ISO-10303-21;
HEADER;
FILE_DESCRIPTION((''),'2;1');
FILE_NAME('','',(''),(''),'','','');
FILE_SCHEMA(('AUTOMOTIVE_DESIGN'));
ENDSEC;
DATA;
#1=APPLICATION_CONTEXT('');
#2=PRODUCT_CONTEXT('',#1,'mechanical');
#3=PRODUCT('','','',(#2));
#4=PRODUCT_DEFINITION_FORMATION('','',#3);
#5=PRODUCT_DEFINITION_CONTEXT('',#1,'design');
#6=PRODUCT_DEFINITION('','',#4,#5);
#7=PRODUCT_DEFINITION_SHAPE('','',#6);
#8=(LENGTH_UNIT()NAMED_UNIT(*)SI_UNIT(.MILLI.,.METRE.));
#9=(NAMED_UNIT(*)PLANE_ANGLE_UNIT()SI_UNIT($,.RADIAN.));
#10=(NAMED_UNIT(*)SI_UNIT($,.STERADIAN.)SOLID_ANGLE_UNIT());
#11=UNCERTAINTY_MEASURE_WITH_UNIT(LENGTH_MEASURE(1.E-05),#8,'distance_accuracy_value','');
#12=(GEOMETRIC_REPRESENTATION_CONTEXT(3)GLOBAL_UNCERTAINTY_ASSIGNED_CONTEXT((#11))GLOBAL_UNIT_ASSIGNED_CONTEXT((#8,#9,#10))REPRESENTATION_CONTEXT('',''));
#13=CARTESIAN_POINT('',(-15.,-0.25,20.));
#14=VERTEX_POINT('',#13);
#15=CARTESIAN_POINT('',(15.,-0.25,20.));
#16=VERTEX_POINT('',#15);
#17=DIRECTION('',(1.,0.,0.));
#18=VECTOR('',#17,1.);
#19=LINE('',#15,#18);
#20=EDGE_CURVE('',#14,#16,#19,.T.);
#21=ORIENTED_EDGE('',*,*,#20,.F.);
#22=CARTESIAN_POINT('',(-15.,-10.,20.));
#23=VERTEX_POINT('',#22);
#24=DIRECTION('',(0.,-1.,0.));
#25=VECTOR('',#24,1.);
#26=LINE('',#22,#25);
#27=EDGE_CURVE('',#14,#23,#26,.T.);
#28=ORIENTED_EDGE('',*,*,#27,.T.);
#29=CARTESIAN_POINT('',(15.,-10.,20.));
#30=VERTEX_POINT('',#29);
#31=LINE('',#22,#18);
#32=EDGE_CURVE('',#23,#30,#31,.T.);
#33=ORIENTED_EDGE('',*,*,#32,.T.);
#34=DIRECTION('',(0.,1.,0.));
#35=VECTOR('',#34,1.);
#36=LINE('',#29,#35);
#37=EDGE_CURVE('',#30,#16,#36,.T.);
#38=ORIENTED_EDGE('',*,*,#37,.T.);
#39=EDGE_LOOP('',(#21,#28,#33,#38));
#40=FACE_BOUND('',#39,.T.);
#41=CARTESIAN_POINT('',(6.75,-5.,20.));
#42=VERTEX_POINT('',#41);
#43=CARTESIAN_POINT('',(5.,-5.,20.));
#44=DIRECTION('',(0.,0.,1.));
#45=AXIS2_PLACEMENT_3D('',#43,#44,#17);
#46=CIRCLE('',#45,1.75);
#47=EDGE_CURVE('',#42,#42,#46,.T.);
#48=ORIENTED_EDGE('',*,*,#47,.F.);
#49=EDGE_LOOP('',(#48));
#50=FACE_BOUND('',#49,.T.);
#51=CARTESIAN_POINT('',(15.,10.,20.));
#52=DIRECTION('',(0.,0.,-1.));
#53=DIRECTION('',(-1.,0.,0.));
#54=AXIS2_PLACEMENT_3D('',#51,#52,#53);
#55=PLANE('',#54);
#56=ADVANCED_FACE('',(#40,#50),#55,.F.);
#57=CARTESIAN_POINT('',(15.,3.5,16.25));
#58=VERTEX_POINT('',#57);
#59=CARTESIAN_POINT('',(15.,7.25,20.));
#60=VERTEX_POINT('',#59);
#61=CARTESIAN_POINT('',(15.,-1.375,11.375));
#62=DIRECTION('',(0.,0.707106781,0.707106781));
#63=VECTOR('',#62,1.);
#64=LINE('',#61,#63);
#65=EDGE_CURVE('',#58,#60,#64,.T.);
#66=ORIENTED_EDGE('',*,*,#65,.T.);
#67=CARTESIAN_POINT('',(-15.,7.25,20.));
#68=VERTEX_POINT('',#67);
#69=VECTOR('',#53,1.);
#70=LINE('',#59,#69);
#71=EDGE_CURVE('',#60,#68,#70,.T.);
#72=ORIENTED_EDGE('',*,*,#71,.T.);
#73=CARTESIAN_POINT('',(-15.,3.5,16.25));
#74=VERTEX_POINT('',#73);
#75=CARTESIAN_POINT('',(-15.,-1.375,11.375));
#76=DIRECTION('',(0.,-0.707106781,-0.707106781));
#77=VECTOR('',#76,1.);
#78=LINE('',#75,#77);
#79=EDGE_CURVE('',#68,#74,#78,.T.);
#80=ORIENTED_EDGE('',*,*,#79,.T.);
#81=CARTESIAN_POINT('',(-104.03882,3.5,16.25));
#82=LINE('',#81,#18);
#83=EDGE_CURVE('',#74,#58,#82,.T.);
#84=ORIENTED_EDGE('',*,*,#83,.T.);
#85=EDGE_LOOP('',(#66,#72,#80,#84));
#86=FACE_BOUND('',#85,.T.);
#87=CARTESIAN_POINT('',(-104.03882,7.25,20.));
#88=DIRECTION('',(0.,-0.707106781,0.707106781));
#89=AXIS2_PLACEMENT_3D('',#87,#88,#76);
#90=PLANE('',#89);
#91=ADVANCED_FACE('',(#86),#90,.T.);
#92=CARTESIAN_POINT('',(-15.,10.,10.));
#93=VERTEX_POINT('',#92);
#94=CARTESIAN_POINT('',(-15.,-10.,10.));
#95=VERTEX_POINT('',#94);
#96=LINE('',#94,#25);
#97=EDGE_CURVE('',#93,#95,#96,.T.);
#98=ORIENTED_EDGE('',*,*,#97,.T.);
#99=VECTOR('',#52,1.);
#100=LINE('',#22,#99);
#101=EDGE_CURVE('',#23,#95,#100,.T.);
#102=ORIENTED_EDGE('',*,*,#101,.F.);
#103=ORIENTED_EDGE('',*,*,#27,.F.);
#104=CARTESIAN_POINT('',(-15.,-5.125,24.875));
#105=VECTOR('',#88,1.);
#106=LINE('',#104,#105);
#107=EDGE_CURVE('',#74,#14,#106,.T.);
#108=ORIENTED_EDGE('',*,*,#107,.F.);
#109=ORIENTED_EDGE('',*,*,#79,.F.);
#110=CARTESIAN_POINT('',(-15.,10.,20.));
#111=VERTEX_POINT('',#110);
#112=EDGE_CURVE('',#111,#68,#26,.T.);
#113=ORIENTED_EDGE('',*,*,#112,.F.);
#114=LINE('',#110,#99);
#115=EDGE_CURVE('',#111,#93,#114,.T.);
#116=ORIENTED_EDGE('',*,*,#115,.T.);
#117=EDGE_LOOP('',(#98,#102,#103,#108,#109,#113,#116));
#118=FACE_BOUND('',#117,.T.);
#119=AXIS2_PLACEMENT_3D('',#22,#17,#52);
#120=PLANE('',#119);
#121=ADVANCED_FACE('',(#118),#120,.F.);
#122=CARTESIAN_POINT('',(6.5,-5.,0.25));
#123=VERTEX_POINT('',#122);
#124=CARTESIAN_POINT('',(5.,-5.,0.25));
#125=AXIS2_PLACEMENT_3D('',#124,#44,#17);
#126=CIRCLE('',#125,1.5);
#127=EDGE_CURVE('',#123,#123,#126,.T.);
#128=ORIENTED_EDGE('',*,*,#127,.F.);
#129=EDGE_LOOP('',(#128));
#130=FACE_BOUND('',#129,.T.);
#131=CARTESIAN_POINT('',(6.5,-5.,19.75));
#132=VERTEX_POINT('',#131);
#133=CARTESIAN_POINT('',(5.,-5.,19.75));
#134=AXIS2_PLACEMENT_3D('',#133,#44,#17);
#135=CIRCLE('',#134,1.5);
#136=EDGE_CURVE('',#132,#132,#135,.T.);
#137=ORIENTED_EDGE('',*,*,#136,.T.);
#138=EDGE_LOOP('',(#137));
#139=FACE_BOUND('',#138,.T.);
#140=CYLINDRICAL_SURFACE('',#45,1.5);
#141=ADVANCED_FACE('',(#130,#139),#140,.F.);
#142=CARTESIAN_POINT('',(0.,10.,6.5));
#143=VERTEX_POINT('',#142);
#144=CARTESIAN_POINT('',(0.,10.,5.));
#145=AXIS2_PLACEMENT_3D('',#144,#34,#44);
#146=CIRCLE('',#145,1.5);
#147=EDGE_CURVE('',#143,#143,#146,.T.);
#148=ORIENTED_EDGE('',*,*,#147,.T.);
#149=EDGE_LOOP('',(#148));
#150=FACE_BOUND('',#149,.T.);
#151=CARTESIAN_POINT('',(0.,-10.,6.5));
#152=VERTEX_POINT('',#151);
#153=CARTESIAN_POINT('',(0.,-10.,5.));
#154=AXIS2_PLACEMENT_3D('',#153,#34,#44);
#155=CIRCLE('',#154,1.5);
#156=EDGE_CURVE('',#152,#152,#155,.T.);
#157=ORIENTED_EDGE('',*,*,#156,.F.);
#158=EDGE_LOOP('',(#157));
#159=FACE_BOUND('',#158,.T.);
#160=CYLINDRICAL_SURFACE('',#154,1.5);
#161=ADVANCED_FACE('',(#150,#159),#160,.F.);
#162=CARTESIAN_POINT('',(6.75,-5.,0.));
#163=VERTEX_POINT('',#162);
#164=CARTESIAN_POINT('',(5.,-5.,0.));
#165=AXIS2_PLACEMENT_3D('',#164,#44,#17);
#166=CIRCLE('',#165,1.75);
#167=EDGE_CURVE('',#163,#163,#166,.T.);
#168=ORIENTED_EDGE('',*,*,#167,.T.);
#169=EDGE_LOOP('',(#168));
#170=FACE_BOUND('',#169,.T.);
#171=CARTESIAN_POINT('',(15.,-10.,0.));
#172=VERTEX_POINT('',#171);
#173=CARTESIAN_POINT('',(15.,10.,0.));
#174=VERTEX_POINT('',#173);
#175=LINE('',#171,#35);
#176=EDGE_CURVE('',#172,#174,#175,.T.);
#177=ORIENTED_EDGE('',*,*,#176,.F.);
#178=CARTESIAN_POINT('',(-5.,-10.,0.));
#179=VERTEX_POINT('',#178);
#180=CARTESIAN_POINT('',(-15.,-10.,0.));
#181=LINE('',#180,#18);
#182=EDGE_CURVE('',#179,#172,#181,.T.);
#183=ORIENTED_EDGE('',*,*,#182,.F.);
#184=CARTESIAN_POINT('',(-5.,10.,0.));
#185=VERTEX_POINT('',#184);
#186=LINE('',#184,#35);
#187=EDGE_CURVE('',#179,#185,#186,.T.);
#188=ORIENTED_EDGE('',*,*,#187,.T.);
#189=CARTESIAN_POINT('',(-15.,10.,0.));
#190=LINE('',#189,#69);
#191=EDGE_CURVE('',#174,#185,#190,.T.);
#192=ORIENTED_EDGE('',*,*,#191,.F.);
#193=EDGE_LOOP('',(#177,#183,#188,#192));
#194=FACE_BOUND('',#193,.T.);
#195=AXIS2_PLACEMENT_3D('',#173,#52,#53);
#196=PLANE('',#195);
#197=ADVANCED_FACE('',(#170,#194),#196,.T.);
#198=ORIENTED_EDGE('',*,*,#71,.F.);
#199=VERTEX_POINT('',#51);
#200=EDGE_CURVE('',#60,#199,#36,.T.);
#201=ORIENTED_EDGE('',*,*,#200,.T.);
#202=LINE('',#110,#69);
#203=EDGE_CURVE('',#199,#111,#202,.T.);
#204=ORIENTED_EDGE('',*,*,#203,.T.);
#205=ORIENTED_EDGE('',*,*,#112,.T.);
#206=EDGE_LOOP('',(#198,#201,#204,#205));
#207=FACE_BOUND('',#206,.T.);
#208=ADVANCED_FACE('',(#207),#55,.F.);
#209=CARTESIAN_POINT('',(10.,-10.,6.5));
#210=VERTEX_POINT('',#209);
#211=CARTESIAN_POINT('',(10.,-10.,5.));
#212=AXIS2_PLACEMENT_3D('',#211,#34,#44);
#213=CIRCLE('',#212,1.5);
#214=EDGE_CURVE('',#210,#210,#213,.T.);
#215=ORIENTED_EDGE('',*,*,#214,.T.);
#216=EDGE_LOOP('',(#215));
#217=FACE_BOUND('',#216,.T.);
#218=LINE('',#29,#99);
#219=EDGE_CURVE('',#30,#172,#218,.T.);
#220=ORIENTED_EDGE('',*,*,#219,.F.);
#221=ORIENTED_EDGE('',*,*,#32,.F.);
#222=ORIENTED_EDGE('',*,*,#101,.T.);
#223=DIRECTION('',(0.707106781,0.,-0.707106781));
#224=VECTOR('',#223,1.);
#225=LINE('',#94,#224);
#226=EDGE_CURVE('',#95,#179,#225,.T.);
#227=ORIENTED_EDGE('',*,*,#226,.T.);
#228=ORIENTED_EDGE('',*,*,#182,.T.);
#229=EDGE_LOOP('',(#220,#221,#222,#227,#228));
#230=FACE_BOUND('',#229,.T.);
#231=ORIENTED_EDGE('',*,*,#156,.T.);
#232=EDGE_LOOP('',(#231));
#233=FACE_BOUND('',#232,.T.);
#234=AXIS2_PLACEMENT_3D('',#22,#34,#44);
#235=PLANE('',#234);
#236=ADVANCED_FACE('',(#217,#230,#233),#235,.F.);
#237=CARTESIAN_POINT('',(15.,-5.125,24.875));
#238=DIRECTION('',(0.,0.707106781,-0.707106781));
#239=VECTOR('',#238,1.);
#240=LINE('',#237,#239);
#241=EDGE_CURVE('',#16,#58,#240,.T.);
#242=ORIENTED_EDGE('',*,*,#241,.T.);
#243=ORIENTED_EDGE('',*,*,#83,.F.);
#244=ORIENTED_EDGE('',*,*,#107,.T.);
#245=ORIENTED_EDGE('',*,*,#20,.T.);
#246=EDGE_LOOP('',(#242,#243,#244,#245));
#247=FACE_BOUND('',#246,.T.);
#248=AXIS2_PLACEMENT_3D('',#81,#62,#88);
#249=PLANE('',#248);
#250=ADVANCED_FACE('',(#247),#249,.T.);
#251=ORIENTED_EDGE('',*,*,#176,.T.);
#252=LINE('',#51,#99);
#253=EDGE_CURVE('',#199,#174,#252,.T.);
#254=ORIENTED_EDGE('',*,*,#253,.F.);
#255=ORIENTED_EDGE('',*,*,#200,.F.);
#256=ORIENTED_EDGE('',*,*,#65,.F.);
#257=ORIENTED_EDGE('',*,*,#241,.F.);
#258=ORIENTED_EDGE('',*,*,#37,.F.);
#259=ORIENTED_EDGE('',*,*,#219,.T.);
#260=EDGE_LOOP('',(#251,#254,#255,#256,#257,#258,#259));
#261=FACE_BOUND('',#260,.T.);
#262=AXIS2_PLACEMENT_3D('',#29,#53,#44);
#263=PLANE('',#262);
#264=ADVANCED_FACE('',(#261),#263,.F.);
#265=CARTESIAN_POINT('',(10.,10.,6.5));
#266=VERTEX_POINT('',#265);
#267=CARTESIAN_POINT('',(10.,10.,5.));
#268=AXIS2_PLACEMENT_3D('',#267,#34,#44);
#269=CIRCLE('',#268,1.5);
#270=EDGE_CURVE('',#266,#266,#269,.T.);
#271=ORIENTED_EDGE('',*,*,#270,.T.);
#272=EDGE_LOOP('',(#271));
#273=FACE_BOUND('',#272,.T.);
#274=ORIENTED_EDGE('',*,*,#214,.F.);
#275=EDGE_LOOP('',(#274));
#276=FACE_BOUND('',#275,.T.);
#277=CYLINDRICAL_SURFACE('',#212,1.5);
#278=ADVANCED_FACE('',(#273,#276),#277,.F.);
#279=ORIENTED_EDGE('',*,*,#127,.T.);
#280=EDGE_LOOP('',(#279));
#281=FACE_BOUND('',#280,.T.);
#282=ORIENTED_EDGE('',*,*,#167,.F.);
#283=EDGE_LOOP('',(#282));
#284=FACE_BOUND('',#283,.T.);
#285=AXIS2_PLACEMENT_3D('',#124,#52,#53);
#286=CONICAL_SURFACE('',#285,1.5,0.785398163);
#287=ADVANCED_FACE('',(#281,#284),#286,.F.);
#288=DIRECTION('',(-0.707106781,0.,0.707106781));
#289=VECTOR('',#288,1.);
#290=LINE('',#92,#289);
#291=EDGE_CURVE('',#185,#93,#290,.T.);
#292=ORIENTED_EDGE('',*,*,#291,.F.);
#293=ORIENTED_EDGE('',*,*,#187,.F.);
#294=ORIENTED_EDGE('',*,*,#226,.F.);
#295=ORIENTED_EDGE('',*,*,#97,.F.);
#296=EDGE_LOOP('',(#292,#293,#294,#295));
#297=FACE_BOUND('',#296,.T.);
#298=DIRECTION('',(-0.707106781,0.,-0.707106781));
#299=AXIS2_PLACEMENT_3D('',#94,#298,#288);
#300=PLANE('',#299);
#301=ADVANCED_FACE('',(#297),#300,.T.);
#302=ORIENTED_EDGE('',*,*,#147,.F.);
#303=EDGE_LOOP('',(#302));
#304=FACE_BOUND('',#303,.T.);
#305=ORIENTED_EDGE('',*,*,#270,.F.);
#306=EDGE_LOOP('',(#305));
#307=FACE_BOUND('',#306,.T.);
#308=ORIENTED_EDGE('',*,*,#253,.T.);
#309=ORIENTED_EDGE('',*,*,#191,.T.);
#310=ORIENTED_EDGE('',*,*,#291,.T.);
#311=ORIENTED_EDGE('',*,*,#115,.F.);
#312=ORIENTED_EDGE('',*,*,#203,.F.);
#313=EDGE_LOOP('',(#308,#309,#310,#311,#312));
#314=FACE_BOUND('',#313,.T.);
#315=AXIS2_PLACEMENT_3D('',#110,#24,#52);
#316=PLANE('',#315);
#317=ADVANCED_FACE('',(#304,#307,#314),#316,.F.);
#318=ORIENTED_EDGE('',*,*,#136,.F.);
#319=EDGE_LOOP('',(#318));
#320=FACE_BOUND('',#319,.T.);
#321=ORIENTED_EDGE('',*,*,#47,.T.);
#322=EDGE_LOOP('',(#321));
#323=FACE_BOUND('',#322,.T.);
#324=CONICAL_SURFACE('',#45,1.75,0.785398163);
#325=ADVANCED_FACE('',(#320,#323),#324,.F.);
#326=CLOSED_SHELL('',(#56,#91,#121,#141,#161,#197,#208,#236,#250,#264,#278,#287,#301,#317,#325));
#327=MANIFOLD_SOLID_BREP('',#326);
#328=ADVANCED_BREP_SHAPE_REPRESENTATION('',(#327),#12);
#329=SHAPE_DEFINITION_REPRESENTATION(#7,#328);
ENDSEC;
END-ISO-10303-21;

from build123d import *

# Parameters (mm, degrees)
ESQUISSE1_W           = 30
ESQUISSE1_H           = 20
EXTRUSION1_DEPTH      = 20
EXTRUSION2_DEPTH      = 38.416573868
EXTRUSION2_DEPTH_BACK = 38.416573868
ESQUISSE3_R           = 1.5
EXTRUSION3_DEPTH      = 33.015621187
CHANFREIN1_SIZE       = 10


with BuildPart() as part:
    # Esquisse1 → Extrusion1 (new body)
    with BuildSketch(Plane.XY):
        Rectangle(ESQUISSE1_W, ESQUISSE1_H)
    extrude(amount=EXTRUSION1_DEPTH)

    # Esquisse2 → Extrusion2 (cut, two sides: drawn at the far end of the back side and taken through both)
    with BuildSketch(Plane.ZY.offset(15).offset(-EXTRUSION2_DEPTH_BACK)):
        Polygon((64.422439942, 51.672439942), (20, 7.25), (16.25, 3.5), (20, -0.25), (64.422439942, -44.672439942), (190.068074021, -44.672439942), (190.068074021, 51.672439942), align=None)
    extrude(amount=EXTRUSION2_DEPTH + EXTRUSION2_DEPTH_BACK, mode=Mode.SUBTRACT)

    # Esquisse3 → Extrusion3 (cut, through all)
    with BuildSketch(Plane(origin=(0, 10, 0), x_dir=(1, 0, 0), z_dir=(0, 1, 0))):
        with Locations(Location((10, -5, 0), (0, 0, 270))):
            Circle(ESQUISSE3_R)
        with Locations(Location((0, -5, 0), (0, 0, 270))):
            Circle(ESQUISSE3_R)
    extrude(amount=-EXTRUSION3_DEPTH, mode=Mode.SUBTRACT)

    # Chanfrein1
    chanfrein1_edges = [part.edges().sort_by_distance(p)[0] for p in [
        (-15, 0, 0),
    ]]
    chamfer(chanfrein1_edges, length=CHANFREIN1_SIZE)

    # Esquisse4 → Trou taraudé M31 (revolve, cut)
    with BuildSketch(Plane(origin=(5, -5, 20), x_dir=(0, -1, 0), z_dir=(1, 0, 0))):
        Polygon((0, 0), (0, 20), (1.75, 20), (1.5, 19.75), (1.5, 0.25), (1.75, 0), align=None)
    revolve(axis=Axis((5, -5, 26.35), (0, 0, -1)), mode=Mode.SUBTRACT)


solid = part.part
